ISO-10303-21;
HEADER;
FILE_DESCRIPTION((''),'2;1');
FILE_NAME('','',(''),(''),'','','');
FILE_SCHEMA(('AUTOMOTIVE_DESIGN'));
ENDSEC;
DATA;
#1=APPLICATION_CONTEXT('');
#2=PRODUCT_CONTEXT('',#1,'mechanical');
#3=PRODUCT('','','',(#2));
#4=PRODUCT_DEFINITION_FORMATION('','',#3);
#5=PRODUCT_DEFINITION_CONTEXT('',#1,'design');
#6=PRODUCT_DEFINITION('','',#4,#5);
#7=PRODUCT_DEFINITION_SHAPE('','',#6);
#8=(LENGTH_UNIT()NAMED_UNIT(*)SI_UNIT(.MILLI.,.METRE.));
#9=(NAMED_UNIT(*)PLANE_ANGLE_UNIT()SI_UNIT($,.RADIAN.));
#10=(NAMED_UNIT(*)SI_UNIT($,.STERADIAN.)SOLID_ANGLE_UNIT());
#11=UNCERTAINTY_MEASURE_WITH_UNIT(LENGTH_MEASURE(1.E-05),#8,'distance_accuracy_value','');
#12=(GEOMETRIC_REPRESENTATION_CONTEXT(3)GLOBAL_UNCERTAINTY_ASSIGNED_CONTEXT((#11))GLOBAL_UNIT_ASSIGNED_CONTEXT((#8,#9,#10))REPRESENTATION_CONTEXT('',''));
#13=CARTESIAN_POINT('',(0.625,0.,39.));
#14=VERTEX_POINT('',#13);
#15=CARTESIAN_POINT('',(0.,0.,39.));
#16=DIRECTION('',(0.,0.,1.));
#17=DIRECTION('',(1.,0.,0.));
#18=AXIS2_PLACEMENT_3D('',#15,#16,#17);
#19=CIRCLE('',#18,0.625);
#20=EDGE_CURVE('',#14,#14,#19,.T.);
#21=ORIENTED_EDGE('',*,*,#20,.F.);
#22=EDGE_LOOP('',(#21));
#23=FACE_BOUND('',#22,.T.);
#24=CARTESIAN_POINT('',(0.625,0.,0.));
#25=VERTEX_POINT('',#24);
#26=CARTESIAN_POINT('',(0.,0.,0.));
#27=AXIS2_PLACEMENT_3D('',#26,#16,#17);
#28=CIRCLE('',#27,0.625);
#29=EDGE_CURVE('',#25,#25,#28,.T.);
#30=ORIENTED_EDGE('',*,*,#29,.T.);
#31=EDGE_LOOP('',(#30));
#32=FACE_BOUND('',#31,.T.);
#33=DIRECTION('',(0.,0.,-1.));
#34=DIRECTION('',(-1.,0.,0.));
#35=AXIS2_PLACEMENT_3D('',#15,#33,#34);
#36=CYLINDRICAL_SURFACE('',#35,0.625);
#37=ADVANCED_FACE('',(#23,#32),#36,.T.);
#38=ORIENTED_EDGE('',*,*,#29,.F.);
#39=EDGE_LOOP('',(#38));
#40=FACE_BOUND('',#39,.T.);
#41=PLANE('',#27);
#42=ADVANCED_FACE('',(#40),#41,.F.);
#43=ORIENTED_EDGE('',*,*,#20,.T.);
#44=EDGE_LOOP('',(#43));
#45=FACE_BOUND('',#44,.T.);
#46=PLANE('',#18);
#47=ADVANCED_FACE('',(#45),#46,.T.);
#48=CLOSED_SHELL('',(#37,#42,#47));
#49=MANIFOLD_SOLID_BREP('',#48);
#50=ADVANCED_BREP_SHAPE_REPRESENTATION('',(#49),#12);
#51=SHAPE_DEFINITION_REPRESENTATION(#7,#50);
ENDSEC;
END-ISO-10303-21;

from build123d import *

# Parameters (mm, degrees)
SKETCH1_R           = 0.625
BOSS_EXTRUDE1_DEPTH = 39


with BuildPart() as part:
    # Sketch1 → Boss-Extrude1 (new body)
    with BuildSketch(Plane.XY):
        Circle(SKETCH1_R)
    extrude(amount=BOSS_EXTRUDE1_DEPTH)


solid = part.part
